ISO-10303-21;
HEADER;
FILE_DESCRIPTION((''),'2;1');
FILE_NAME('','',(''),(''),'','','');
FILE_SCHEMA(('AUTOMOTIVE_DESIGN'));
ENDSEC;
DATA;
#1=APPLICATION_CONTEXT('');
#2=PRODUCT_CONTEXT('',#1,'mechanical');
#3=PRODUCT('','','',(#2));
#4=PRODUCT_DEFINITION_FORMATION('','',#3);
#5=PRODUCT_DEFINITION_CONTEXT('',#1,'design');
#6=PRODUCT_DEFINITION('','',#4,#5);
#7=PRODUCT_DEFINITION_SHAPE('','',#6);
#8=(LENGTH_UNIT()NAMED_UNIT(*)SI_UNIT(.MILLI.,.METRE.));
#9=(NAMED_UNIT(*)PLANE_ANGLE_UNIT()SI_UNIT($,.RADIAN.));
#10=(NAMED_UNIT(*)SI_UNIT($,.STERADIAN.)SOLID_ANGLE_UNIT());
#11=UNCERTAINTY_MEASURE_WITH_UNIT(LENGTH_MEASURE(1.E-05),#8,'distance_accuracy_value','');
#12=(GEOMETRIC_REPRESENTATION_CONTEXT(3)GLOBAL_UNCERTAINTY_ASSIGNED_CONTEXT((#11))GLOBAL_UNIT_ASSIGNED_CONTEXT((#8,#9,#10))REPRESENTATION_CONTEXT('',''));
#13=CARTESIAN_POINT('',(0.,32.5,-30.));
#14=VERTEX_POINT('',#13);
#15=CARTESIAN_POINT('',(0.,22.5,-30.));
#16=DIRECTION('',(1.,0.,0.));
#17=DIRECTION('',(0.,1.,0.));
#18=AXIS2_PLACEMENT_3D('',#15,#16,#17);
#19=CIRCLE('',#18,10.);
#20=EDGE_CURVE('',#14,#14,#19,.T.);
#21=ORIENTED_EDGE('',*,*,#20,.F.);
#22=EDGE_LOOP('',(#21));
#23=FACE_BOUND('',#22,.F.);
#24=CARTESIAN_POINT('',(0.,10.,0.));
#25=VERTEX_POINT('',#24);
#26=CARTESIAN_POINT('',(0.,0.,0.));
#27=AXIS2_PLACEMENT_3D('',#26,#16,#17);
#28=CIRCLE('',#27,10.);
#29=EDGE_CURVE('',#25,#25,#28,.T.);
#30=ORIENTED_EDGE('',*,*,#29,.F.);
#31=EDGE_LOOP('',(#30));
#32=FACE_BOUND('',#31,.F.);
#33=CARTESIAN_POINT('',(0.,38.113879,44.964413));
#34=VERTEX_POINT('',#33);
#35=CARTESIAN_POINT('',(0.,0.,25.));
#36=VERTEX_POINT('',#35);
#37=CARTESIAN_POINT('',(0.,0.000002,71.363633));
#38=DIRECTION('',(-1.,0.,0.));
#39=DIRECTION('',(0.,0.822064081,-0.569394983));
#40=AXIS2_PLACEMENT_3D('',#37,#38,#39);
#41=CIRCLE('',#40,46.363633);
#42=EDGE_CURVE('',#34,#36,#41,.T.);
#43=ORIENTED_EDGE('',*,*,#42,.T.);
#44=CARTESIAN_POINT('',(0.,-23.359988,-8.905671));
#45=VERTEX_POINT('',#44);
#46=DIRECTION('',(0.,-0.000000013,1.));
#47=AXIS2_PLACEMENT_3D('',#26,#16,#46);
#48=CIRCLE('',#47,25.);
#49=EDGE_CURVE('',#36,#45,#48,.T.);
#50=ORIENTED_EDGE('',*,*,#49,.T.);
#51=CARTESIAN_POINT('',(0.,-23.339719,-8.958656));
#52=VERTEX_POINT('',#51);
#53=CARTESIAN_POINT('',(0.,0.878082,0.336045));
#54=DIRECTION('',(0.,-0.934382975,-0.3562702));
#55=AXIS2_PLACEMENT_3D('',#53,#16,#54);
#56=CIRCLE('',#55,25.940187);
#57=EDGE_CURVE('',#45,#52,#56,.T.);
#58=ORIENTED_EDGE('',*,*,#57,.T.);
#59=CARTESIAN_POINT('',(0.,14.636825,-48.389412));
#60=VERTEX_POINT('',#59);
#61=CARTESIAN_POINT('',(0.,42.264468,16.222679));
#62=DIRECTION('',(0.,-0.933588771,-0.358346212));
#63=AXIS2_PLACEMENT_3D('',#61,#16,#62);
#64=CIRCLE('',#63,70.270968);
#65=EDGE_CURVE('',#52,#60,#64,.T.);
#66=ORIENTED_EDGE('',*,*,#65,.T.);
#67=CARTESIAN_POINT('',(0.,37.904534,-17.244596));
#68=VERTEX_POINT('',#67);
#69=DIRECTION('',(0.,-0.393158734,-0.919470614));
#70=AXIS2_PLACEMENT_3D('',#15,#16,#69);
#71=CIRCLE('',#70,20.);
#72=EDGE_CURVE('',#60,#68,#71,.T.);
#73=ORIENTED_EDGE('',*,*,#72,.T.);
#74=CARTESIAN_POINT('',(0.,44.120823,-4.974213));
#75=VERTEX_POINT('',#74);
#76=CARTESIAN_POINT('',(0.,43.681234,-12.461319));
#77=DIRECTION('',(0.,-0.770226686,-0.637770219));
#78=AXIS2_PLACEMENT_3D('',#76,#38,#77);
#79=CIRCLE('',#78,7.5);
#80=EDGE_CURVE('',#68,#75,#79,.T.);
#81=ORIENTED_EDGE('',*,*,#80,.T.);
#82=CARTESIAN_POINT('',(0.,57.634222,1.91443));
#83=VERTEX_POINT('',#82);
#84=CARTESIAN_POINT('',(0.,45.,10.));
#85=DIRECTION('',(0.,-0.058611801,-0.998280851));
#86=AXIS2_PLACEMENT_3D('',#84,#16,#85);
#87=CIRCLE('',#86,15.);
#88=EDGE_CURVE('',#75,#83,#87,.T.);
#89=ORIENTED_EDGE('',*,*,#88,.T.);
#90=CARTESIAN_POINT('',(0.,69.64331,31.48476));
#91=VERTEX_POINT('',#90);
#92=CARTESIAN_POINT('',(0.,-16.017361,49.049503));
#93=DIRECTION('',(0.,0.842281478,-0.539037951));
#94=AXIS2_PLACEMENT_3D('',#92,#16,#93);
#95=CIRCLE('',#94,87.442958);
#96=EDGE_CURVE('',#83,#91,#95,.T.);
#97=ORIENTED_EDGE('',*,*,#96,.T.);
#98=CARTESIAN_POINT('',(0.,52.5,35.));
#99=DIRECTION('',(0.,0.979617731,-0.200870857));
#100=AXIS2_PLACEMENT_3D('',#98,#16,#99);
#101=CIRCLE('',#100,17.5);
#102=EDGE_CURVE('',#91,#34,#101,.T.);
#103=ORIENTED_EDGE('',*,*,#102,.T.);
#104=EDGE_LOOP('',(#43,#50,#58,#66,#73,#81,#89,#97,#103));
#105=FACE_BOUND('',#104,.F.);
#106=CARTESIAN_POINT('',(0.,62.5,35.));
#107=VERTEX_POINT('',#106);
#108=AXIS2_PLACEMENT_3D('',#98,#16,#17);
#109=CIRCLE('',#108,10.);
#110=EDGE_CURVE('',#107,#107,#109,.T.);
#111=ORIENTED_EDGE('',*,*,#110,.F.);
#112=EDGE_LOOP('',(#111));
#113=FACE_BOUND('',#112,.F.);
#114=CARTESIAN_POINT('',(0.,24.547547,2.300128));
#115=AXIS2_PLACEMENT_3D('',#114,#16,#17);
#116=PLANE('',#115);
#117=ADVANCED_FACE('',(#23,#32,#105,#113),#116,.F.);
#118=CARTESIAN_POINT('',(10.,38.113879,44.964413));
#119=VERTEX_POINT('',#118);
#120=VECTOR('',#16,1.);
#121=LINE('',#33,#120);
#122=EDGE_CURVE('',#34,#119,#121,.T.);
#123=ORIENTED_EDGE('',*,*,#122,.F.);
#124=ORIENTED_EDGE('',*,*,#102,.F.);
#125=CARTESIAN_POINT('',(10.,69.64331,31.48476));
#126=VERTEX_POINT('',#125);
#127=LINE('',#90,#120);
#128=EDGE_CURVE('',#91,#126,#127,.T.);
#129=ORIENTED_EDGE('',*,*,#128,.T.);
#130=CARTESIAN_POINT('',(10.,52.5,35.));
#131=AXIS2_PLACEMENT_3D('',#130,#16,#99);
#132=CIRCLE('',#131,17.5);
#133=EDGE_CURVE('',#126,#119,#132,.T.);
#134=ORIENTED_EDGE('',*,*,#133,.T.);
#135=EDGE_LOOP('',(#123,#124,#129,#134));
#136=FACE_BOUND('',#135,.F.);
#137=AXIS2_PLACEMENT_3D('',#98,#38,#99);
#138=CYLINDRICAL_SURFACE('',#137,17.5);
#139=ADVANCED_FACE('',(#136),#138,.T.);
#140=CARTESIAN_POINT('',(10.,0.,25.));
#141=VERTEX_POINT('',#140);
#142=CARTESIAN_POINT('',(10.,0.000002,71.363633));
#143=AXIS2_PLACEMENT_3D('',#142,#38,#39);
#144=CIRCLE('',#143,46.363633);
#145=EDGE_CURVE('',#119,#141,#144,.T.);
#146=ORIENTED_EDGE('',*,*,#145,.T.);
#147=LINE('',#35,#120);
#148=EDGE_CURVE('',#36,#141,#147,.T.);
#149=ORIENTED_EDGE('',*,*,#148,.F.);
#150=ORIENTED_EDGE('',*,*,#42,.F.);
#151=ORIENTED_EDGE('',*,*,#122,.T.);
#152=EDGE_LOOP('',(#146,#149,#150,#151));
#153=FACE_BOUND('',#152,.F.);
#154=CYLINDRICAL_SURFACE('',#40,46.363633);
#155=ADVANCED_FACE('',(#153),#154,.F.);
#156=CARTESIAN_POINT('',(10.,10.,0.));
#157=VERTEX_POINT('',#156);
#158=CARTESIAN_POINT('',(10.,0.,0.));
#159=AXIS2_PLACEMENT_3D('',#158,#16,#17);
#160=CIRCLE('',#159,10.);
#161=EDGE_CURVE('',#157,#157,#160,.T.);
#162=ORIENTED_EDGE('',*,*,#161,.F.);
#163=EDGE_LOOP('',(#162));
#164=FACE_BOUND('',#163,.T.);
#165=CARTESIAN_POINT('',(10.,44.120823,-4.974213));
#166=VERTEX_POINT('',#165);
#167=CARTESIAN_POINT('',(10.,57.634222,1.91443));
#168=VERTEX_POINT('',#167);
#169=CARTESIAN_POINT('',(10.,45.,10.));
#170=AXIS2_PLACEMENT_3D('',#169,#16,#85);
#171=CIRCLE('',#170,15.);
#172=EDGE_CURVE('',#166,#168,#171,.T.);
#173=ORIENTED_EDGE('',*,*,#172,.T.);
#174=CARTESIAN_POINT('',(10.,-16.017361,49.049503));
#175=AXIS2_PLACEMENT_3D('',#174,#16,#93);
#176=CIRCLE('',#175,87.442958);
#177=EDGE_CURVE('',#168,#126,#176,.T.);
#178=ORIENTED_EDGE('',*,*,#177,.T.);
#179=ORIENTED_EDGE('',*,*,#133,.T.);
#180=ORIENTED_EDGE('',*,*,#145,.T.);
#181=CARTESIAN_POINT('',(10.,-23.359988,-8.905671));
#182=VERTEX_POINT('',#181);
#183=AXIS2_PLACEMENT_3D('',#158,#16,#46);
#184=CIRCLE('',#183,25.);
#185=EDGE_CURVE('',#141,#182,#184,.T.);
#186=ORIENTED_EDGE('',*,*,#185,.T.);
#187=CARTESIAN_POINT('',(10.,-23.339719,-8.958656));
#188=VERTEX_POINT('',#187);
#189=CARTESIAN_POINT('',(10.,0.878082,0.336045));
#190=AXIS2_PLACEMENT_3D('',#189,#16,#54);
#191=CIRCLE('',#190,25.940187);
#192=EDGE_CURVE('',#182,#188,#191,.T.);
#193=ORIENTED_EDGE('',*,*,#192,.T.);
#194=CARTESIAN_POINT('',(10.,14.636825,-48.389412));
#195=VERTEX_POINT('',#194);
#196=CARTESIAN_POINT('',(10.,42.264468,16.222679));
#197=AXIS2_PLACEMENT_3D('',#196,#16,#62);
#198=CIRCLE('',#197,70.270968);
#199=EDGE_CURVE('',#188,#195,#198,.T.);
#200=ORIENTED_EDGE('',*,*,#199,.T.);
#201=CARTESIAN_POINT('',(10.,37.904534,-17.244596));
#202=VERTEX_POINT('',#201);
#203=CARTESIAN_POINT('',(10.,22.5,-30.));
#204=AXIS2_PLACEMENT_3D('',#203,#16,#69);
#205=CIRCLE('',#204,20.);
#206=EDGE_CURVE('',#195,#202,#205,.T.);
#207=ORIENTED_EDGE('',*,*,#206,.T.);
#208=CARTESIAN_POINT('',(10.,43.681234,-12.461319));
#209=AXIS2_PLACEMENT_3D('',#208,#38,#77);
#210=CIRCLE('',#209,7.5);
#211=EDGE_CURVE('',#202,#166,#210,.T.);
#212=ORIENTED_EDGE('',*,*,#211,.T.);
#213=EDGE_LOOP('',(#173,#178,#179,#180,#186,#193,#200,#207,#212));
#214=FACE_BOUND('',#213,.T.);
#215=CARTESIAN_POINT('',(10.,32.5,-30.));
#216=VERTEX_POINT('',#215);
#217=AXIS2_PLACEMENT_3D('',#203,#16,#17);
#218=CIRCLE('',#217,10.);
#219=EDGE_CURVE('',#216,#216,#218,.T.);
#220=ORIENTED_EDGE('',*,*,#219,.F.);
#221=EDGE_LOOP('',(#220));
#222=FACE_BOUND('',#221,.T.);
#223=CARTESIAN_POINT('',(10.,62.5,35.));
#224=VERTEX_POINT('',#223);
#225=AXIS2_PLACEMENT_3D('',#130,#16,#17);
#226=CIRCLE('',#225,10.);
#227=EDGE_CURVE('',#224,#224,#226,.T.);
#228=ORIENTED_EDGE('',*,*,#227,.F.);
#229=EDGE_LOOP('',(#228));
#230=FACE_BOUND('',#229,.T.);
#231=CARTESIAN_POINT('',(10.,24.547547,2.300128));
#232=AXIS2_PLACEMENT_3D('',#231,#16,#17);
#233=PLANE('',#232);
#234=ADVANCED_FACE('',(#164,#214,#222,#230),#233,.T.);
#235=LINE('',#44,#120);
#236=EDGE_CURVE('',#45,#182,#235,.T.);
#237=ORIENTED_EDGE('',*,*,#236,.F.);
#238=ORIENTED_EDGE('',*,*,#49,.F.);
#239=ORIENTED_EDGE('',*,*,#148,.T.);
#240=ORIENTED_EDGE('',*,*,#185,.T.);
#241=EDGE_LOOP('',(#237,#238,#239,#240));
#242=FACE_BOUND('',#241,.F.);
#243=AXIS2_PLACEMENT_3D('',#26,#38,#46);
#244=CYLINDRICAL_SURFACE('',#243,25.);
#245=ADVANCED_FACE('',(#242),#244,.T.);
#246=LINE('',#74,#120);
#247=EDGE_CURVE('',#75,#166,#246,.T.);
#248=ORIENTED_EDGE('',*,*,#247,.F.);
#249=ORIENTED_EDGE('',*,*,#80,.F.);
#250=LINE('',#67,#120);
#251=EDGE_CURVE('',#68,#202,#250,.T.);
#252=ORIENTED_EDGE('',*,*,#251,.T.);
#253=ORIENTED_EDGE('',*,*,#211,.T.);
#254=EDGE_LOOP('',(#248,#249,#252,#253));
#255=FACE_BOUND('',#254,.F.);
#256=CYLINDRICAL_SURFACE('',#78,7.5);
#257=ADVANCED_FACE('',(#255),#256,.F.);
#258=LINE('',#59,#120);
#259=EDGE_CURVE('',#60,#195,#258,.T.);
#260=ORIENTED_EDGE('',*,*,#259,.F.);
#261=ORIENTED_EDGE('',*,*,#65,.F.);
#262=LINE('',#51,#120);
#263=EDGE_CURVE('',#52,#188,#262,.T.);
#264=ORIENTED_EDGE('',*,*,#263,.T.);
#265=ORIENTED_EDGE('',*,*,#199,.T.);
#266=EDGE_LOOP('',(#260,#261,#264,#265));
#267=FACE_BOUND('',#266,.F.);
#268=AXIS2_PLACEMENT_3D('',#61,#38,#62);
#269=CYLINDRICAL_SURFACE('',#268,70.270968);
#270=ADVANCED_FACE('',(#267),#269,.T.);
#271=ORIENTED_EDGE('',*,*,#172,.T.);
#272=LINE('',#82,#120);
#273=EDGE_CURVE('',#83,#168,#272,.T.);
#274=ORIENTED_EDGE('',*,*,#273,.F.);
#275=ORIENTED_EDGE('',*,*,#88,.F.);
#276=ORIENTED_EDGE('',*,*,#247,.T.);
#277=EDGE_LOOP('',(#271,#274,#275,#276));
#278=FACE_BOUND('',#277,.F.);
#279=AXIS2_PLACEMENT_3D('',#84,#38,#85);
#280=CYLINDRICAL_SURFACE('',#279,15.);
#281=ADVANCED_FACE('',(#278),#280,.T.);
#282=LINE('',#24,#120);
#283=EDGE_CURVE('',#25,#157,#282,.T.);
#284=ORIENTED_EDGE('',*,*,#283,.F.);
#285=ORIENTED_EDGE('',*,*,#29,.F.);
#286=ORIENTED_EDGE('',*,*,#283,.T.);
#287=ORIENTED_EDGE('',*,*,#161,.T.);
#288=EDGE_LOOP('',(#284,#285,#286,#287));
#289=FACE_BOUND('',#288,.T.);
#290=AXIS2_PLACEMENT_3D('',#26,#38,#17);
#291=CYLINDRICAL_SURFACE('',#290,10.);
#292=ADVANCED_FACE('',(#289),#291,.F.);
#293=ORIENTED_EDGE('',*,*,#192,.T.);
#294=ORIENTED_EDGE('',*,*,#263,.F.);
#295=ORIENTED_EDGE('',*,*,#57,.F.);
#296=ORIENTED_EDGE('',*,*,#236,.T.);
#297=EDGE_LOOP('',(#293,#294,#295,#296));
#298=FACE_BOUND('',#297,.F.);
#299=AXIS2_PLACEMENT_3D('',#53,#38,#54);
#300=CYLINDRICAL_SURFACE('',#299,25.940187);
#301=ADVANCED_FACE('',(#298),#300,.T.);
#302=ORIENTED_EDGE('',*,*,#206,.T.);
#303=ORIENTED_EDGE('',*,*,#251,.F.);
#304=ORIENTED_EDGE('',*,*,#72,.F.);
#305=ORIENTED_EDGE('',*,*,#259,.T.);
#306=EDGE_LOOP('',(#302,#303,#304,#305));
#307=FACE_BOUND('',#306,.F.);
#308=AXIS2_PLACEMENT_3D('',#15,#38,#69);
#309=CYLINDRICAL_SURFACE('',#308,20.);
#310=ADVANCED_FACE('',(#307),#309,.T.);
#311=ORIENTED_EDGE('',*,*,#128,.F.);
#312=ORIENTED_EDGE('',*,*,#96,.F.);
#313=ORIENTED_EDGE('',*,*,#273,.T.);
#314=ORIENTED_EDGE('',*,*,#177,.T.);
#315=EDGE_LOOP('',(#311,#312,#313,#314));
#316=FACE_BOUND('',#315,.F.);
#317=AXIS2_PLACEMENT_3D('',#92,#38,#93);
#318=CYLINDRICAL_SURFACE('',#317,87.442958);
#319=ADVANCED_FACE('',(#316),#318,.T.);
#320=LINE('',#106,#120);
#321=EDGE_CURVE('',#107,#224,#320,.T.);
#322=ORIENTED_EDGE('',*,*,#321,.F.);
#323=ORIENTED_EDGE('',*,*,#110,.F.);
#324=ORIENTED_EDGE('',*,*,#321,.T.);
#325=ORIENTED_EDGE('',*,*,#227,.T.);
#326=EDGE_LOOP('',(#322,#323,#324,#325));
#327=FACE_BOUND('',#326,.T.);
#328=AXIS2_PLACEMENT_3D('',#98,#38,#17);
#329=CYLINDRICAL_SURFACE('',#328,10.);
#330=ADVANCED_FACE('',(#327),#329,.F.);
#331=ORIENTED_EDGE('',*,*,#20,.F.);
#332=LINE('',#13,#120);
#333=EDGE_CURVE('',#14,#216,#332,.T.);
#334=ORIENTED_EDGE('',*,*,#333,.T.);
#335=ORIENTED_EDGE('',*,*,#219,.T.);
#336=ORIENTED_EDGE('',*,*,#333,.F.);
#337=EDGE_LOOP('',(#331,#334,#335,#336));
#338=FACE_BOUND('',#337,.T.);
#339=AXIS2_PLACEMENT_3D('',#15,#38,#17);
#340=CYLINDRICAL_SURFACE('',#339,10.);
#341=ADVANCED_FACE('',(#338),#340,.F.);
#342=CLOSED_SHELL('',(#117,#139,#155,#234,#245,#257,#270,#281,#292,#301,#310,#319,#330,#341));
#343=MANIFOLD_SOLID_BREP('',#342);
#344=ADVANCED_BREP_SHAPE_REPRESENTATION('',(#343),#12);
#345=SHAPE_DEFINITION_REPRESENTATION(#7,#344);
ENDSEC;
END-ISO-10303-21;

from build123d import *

# Parameters (mm, degrees)
F0_R     = 10
F1_DEPTH = 10


with BuildPart() as f1:
    # F0 (on Right) → F1 (new body)
    with BuildSketch(Plane.YZ):
        with BuildLine():
            ThreePointArc((38.113879, 44.964413), (21.513052, 30.293265), (0, 25))
            ThreePointArc((0, 25), (-20.58691, 14.183763), (-23.359988, -8.905671))
            ThreePointArc((-23.359988, -8.905671), (-23.349868, -8.932169), (-23.339719, -8.958656))
            ThreePointArc((-23.339719, -8.958656), (-8.349163, -32.524314), (14.636825, -48.389412))
            ThreePointArc((14.636825, -48.389412), (38.522419, -41.970049), (37.904534, -17.244596))
            ThreePointArc((37.904534, -17.244596), (36.990811, -9.071889), (44.120823, -4.974213))
            ThreePointArc((44.120823, -4.974213), (51.812387, -3.363809), (57.634222, 1.91443))
            ThreePointArc((57.634222, 1.91443), (64.999302, 16.147055), (69.64331, 31.48476))
            ThreePointArc((69.64331, 31.48476), (59.379374, 51.091122), (38.113879, 44.964413))
        make_face()
        Circle(F0_R, mode=Mode.SUBTRACT)
        with Locations((22.5, -30)):
            Circle(F0_R, mode=Mode.SUBTRACT)
        with Locations((52.5, 35)):
            Circle(F0_R, mode=Mode.SUBTRACT)
    extrude(amount=F1_DEPTH)


solid = f1.part
